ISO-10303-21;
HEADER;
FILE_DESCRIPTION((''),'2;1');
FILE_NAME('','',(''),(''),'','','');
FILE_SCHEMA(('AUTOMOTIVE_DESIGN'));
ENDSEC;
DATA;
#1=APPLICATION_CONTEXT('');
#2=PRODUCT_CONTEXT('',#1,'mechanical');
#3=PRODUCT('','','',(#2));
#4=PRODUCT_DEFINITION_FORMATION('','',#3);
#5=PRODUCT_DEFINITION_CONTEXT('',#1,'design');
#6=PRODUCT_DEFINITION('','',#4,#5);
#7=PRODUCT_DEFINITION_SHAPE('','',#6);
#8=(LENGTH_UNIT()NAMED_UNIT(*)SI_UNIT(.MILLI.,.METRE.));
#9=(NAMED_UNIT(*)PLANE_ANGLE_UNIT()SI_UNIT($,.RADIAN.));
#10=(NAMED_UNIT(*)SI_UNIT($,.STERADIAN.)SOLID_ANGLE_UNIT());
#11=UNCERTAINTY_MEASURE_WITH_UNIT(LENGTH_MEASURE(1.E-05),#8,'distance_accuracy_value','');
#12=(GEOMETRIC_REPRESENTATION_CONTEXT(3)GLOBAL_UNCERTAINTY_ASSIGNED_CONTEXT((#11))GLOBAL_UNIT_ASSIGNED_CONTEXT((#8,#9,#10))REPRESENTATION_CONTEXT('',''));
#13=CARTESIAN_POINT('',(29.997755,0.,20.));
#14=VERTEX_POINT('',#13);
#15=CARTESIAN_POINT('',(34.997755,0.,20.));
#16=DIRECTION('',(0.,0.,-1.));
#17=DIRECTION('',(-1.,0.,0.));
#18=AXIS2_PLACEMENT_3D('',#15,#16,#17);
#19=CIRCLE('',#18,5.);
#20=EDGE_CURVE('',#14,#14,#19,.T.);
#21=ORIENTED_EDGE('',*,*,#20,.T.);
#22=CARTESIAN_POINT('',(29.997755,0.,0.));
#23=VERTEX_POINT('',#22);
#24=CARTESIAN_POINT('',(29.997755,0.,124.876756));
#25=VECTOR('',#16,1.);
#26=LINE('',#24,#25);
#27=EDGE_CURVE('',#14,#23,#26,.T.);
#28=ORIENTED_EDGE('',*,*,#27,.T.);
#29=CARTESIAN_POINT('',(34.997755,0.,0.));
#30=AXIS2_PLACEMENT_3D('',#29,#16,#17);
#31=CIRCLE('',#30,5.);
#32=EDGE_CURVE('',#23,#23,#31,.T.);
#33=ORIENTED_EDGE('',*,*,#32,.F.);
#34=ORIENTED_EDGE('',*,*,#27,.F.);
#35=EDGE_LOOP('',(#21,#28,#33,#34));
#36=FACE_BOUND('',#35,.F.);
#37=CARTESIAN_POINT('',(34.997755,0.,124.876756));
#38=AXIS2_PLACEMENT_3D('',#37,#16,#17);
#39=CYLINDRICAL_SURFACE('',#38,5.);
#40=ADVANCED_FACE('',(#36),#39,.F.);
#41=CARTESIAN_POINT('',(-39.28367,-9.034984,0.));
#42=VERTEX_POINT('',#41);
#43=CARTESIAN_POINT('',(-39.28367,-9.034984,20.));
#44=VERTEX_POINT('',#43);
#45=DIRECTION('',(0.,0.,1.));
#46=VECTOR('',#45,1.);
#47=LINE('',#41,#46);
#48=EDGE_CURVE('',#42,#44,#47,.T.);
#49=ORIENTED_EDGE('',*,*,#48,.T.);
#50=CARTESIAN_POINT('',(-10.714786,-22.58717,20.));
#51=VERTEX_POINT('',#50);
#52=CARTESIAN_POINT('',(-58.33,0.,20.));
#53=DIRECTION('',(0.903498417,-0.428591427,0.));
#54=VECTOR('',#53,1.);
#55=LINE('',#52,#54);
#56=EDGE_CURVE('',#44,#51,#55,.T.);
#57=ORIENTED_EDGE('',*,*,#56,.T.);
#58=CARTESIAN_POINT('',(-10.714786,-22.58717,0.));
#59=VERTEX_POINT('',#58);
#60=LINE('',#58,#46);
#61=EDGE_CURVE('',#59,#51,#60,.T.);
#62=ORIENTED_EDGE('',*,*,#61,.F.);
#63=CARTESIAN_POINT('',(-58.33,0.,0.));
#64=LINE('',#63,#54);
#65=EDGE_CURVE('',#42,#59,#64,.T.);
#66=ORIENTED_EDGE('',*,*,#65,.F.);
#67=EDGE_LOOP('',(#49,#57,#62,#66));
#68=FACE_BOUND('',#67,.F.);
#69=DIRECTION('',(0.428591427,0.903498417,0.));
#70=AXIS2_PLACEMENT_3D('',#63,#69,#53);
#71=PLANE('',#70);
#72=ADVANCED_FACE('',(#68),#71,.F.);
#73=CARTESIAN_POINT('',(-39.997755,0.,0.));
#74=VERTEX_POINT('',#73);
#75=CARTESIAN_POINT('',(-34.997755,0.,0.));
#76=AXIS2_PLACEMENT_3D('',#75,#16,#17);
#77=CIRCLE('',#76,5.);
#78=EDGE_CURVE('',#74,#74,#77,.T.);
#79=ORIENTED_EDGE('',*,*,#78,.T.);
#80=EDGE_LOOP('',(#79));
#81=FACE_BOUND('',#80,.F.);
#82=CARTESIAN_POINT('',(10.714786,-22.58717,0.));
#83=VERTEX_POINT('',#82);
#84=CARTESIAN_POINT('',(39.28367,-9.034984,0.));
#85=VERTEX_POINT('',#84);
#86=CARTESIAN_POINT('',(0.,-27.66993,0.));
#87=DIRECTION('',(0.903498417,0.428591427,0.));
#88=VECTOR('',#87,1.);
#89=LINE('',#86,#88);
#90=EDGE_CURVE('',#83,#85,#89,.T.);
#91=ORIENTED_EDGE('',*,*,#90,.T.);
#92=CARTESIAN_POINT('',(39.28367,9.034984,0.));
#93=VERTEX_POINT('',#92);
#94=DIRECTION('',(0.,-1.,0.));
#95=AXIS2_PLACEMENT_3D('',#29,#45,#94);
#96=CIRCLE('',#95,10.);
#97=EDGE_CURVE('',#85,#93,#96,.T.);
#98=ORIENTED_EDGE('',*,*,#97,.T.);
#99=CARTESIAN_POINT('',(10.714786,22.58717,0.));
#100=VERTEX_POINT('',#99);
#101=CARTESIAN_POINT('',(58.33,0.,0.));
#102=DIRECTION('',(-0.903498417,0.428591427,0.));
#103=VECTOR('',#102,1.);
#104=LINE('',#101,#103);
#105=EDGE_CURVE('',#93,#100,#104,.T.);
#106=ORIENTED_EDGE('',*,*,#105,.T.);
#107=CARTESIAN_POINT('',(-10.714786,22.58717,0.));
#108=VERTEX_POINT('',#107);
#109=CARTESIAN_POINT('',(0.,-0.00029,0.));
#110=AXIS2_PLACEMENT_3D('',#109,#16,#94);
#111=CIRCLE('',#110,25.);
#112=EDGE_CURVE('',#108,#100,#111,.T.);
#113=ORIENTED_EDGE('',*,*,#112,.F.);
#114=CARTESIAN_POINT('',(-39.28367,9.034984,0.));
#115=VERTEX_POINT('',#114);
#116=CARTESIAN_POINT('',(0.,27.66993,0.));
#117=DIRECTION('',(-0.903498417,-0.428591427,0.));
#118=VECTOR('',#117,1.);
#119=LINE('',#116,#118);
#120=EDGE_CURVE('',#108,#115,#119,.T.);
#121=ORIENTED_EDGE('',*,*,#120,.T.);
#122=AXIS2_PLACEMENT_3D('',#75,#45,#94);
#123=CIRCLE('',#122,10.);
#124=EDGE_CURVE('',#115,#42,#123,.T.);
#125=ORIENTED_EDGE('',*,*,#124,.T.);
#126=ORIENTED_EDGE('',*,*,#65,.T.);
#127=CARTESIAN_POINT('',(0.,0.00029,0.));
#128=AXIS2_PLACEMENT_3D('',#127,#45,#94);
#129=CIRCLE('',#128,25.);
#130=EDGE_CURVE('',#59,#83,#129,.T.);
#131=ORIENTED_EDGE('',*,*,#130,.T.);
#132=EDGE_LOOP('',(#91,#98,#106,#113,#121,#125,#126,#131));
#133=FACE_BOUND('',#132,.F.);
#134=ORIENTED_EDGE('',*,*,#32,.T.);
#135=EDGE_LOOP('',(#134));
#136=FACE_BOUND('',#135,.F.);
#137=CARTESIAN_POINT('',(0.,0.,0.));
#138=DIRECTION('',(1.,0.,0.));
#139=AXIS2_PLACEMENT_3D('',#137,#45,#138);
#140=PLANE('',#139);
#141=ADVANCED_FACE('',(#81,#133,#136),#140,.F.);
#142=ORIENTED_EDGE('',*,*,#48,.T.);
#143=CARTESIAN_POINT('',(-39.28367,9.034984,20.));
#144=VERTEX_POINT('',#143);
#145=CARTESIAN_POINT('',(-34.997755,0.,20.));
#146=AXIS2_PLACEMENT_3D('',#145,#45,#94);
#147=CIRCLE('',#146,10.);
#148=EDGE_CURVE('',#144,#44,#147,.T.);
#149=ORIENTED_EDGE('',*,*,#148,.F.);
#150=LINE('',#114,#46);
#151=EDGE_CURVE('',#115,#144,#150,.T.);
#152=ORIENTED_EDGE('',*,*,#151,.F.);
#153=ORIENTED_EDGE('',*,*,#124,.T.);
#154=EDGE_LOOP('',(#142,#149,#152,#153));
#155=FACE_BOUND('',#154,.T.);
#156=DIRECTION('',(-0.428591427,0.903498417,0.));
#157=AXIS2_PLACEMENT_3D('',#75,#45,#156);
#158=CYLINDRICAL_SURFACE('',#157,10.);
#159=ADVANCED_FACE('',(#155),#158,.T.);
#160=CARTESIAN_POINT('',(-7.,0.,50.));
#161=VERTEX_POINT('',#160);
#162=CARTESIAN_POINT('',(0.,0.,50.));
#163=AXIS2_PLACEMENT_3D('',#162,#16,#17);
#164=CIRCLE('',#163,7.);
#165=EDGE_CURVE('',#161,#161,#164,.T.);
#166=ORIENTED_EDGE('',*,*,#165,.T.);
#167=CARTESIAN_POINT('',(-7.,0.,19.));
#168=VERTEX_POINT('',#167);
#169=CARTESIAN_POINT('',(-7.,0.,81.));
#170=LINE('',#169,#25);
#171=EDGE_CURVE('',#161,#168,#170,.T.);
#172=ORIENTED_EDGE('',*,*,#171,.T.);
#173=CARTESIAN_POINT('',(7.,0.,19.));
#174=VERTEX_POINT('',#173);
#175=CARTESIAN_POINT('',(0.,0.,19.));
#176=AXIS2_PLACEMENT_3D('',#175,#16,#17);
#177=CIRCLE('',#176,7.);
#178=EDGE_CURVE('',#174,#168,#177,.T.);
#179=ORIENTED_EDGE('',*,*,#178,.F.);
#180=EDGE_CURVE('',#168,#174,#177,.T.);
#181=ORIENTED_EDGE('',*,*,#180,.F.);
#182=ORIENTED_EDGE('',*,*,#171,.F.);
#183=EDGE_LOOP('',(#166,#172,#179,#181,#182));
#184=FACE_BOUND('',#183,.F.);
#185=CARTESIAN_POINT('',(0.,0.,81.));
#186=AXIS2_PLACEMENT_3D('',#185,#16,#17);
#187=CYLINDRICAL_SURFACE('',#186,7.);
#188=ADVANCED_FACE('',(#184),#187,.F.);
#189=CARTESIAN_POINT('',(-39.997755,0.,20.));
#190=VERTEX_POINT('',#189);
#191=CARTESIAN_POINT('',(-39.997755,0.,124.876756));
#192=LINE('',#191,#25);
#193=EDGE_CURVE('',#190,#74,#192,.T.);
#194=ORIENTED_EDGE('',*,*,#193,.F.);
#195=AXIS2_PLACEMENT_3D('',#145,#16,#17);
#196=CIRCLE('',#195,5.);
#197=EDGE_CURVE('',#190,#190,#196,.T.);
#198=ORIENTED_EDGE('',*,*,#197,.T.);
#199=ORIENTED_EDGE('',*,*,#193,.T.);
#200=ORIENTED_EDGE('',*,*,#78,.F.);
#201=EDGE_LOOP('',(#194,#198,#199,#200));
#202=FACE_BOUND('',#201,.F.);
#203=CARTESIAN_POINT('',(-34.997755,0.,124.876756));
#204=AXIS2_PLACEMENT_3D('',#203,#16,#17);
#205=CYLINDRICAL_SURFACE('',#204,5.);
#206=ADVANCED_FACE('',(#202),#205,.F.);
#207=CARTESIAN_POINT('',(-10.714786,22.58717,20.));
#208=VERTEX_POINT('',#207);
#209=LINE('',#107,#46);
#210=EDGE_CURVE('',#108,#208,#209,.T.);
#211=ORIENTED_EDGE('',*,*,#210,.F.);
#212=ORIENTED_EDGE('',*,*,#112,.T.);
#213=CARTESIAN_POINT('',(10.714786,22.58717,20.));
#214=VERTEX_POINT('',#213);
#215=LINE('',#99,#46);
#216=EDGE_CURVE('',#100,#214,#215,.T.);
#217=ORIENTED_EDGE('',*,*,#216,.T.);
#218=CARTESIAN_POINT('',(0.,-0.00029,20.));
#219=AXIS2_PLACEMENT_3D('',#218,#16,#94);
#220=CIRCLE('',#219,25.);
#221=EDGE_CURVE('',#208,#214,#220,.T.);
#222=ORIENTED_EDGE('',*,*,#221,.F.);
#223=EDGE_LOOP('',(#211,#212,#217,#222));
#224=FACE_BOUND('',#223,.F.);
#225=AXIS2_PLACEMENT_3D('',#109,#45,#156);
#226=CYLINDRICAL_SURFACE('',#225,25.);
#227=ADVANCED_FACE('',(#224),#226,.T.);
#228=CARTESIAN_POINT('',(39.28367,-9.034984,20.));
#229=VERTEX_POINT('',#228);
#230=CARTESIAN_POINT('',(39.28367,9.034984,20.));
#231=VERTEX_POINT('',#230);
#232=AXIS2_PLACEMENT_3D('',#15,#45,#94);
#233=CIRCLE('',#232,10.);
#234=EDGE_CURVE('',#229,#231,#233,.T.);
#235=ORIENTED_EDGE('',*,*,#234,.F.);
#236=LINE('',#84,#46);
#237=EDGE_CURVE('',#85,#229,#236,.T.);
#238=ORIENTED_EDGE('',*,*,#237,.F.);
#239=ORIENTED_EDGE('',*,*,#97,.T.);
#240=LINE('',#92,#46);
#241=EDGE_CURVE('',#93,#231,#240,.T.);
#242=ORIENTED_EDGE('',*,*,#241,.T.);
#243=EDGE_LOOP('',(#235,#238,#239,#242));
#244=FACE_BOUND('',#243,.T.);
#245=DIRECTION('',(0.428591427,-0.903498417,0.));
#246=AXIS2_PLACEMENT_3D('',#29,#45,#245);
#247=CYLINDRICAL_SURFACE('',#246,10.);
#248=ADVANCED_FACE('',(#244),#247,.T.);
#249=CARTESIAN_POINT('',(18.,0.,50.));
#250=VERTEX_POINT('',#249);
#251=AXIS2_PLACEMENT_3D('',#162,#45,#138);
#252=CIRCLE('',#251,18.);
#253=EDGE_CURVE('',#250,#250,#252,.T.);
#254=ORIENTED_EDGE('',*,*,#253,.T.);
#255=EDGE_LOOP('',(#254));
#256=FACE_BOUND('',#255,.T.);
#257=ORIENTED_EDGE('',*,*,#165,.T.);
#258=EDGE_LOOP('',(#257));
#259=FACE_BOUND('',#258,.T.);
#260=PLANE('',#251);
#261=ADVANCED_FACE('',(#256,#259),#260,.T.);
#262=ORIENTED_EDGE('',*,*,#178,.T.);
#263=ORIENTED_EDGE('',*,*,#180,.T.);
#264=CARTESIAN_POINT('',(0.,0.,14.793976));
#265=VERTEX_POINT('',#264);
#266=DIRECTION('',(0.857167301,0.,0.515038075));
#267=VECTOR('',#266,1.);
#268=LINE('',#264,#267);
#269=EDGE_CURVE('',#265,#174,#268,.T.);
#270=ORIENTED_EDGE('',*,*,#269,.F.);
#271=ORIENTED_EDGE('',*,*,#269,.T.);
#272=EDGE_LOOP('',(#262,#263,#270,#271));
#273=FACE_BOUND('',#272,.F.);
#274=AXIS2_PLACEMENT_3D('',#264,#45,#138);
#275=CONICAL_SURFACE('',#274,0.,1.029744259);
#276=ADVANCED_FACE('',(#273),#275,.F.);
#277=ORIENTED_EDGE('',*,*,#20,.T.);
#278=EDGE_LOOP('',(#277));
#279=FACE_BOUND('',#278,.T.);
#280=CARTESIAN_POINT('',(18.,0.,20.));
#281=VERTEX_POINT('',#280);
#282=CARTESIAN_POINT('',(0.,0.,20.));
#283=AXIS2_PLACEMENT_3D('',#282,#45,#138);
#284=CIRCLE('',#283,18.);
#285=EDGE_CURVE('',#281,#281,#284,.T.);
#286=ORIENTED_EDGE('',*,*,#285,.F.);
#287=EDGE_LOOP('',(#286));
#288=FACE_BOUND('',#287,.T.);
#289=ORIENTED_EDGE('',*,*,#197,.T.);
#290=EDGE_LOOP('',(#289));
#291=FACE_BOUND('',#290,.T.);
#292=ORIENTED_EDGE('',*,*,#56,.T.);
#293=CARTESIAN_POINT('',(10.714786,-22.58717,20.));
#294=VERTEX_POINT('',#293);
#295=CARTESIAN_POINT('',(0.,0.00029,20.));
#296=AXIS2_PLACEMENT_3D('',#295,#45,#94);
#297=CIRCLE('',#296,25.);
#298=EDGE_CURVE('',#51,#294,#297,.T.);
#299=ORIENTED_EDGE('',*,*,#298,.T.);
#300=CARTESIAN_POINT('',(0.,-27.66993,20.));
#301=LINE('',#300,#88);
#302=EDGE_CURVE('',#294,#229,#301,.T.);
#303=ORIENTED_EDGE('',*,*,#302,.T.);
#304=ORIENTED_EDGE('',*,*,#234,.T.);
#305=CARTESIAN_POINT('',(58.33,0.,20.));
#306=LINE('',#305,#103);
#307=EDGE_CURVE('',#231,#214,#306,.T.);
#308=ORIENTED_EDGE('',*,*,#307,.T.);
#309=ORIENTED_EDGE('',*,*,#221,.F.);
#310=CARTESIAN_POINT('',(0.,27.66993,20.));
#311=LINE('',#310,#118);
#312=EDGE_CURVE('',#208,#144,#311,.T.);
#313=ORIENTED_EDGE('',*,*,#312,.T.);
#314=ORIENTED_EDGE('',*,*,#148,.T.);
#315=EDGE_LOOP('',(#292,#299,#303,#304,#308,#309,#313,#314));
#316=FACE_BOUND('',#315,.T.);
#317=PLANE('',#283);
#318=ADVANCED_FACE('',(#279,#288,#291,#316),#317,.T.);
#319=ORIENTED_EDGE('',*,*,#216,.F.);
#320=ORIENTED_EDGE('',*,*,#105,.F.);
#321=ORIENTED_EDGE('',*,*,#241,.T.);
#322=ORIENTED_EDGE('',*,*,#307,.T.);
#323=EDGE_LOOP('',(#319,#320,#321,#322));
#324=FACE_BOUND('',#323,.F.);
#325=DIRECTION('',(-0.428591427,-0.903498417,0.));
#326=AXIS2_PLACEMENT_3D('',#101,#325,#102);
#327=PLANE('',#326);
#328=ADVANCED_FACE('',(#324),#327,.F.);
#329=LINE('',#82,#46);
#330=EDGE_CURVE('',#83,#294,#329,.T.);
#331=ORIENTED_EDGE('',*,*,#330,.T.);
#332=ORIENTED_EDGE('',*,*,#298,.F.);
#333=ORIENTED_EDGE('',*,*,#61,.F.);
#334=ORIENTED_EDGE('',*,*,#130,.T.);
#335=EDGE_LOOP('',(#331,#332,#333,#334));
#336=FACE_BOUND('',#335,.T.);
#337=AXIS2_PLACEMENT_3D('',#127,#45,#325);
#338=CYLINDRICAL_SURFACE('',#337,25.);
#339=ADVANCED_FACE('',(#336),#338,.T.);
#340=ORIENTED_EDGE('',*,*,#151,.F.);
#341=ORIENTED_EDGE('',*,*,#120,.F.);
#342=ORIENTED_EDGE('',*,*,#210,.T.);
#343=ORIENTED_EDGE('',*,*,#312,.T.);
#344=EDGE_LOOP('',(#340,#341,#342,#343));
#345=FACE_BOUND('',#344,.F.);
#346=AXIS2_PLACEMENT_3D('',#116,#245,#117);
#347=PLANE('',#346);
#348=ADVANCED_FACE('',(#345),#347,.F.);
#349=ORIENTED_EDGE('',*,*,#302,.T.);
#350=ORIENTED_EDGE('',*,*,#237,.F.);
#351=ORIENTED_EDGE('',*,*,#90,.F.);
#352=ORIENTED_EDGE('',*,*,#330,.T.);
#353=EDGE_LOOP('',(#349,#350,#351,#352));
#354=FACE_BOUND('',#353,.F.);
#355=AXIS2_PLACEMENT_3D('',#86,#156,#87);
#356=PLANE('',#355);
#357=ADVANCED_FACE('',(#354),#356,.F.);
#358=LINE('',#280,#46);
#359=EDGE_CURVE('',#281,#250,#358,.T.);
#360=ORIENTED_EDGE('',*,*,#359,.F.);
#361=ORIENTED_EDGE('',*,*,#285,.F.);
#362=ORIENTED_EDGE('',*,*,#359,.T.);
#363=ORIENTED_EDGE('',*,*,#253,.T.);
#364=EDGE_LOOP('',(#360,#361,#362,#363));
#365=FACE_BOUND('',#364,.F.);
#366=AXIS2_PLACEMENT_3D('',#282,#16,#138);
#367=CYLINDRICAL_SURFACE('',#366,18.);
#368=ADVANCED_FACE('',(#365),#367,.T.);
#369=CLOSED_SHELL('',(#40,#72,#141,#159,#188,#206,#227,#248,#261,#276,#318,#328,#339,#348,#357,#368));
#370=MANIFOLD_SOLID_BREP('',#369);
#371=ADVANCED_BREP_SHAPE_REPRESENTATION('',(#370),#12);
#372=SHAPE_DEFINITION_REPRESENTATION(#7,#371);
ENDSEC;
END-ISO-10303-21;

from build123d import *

# Parameters (mm, degrees)
F1_DEPTH = 20
F2_R     = 10
F3_R     = 25
F5_D     = 10
F6_R     = 18
F7_DEPTH = 30
F9_D     = 14
F9_DEPTH = 31
F9_TIP   = 4.2060243332


with BuildPart() as f1:
    # F0 (on Top) → F1 (new body)
    with BuildSketch(Plane.XY):
        Polygon((0, 27.66993), (-58.33, 0), (0, -27.66993), (58.33, 0), align=None)
    extrude(amount=F1_DEPTH)

    # F2
    f2_edges = [f1.edges().sort_by_distance(p)[0] for p in [
        (-58.33, 0, 10),
        (58.33, 0, 10),
    ]]
    fillet(f2_edges, radius=F2_R)

    # F3
    f3_edges = [f1.edges().sort_by_distance(p)[0] for p in [
        (0, -27.66993, 10),
        (0, 27.66993, 10),
    ]]
    fillet(f3_edges, radius=F3_R)

    # F5 (through all)
    with Locations(Plane.XY.offset(20)):
        with Locations((34.9977554223, 0), (-34.9977554223, 0)):
            Hole(F5_D / 2)

    # F6 (on face) → F7 (join)
    with BuildSketch(Plane.XY.offset(20)):
        Circle(F6_R)
    extrude(amount=F7_DEPTH)

    # F9
    with Locations(Plane.XY.offset(50)):
        with Locations((0, 0)):
            Hole(F9_D / 2, depth=F9_DEPTH)
            with Locations((0, 0, -(F9_DEPTH + F9_TIP / 2))):  # 118° drill point
                Cone(0, F9_D / 2, F9_TIP, mode=Mode.SUBTRACT)


solid = f1.part
